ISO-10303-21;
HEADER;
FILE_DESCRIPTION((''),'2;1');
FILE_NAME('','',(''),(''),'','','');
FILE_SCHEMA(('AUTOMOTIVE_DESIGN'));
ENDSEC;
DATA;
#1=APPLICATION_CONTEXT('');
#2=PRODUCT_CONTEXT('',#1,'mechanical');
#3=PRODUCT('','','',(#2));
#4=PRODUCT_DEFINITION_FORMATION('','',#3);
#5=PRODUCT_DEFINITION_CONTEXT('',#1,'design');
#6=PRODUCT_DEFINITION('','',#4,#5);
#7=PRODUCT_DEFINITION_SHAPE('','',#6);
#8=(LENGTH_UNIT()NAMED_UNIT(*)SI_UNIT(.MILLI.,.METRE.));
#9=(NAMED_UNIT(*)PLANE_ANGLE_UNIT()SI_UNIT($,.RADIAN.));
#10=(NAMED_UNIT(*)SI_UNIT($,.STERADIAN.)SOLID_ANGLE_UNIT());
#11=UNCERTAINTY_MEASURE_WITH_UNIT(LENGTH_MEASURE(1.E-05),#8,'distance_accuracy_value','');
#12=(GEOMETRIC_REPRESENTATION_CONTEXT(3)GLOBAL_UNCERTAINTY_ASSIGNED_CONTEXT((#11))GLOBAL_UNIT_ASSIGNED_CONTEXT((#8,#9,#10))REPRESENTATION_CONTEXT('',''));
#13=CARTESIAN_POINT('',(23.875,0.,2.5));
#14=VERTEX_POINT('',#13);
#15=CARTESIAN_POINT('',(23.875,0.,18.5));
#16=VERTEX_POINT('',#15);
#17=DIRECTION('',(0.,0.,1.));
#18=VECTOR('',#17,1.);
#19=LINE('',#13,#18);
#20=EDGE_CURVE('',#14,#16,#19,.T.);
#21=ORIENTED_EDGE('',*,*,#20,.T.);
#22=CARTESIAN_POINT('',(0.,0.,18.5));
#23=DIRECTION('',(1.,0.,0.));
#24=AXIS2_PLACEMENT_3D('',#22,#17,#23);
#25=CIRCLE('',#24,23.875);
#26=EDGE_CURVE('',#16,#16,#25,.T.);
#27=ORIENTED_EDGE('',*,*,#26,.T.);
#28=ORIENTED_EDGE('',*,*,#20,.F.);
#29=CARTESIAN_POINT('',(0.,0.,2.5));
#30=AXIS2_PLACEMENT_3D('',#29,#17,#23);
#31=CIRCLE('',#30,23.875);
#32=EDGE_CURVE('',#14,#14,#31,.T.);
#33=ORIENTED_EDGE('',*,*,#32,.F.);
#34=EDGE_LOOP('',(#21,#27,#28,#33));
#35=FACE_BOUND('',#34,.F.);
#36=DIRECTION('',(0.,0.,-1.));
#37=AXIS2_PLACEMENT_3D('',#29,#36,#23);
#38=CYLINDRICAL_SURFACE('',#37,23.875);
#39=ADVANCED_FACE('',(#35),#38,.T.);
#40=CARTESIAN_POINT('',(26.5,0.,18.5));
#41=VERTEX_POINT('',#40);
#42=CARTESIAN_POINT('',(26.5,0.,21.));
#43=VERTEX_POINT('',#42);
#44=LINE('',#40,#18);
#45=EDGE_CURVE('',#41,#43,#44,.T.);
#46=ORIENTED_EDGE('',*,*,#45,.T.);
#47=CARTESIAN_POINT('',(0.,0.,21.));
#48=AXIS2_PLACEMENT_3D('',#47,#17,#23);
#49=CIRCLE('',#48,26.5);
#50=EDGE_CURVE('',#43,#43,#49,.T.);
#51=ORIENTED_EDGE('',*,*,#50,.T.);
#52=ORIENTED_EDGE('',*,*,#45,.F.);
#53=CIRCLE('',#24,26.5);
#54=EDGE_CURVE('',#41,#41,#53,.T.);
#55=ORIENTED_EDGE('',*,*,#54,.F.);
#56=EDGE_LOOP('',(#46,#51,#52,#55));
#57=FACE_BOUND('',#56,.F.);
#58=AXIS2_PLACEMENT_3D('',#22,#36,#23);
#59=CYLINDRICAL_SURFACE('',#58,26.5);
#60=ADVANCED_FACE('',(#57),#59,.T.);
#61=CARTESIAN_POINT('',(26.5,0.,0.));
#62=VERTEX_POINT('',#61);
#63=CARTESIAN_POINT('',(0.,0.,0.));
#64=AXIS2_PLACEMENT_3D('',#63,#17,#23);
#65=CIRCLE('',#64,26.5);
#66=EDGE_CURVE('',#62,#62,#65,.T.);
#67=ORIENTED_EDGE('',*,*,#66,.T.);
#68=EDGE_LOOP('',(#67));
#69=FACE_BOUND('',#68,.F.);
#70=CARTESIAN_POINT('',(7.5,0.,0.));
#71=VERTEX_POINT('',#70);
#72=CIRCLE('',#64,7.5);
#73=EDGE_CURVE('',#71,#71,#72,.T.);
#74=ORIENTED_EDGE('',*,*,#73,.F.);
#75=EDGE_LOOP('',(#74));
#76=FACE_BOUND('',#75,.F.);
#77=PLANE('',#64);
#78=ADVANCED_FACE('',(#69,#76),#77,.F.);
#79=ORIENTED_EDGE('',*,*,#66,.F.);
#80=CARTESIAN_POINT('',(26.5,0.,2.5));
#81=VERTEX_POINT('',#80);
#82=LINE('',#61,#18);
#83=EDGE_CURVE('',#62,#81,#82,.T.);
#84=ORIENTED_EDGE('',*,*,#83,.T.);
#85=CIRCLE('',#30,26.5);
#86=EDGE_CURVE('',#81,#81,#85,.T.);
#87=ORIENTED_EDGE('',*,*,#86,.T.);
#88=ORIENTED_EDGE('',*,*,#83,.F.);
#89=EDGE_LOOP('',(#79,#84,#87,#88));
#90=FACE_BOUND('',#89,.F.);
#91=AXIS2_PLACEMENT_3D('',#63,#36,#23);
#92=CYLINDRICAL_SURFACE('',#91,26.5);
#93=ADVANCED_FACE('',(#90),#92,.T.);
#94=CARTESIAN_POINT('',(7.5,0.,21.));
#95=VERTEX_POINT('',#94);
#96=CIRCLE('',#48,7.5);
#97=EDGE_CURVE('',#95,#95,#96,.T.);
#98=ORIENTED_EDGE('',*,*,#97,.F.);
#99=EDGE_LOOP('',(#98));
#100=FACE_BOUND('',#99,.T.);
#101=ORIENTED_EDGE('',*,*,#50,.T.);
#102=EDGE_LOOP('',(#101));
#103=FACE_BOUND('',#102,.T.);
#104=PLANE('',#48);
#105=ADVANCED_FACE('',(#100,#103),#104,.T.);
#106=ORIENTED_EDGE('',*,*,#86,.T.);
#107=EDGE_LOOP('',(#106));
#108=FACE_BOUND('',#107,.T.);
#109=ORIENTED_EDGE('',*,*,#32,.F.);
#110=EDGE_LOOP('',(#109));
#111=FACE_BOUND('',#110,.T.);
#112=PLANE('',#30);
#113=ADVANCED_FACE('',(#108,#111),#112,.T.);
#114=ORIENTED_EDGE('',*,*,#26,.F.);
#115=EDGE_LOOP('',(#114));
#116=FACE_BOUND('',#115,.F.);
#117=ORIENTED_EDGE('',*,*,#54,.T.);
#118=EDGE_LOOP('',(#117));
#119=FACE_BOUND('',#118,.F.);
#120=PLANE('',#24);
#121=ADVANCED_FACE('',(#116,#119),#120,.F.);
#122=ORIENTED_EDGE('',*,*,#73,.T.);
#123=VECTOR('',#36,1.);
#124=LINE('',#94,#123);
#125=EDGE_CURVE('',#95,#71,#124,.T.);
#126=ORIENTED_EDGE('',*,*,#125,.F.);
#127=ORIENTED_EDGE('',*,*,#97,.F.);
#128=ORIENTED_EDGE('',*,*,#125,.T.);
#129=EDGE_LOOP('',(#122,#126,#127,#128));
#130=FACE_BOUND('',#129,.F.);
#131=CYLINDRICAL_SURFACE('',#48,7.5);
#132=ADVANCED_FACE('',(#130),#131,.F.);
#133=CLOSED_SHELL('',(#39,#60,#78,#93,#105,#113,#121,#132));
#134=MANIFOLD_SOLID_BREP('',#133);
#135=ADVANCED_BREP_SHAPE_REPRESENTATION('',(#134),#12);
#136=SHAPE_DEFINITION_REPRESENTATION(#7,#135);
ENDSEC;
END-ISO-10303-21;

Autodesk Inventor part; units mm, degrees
ref_plane "YZ Plane" through (0, 0, 0) normal (1, 0, 0) x (0, 1, 0)
ref_plane "XZ Plane" through (0, 0, 0) normal (0, 1, 0) x (-1, 0, 0)
ref_plane "XY Plane" through (0, 0, 0) normal (0, 0, 1) x (1, 0, 0)
sketch "Sketch1" plane through (0, 0, 0) normal (0, 0, 1) x (1, 0, 0)
  circle A0 centre (0, 0) radius 26.5
  dimension "d0" = 53
extrude "Extrusion1" add sketch "Sketch1" along normal blind 2.5
sketch "Sketch2" plane through (0, 0, 2.5) normal (0, 0, 1) x (1, 0, 0)
  circle A0 centre (0, 0) radius 23.875
  dimension "d3" = 47.75
extrude "Extrusion2" add sketch "Sketch2" along normal blind 16
sketch "Sketch3" plane through (0, 0, 18.5) normal (0, 0, 1) x (1, 0, 0)
  circle A0 centre (0, 0) radius 26.5
  dimension "d6" = 53
extrude "Extrusion3" add sketch "Sketch3" along normal blind 2.5
sketch "Sketch4" plane through (0, 0, 21) normal (0, 0, 1) x (1, 0, 0)
  circle A0 centre (0, 0) radius 7.5
  dimension "d9" = 15
extrude "Extrusion4" cut sketch "Sketch4" against normal blind 30
properties part number "HTD5M 30 Pulley" material "Aluminum 6061"
